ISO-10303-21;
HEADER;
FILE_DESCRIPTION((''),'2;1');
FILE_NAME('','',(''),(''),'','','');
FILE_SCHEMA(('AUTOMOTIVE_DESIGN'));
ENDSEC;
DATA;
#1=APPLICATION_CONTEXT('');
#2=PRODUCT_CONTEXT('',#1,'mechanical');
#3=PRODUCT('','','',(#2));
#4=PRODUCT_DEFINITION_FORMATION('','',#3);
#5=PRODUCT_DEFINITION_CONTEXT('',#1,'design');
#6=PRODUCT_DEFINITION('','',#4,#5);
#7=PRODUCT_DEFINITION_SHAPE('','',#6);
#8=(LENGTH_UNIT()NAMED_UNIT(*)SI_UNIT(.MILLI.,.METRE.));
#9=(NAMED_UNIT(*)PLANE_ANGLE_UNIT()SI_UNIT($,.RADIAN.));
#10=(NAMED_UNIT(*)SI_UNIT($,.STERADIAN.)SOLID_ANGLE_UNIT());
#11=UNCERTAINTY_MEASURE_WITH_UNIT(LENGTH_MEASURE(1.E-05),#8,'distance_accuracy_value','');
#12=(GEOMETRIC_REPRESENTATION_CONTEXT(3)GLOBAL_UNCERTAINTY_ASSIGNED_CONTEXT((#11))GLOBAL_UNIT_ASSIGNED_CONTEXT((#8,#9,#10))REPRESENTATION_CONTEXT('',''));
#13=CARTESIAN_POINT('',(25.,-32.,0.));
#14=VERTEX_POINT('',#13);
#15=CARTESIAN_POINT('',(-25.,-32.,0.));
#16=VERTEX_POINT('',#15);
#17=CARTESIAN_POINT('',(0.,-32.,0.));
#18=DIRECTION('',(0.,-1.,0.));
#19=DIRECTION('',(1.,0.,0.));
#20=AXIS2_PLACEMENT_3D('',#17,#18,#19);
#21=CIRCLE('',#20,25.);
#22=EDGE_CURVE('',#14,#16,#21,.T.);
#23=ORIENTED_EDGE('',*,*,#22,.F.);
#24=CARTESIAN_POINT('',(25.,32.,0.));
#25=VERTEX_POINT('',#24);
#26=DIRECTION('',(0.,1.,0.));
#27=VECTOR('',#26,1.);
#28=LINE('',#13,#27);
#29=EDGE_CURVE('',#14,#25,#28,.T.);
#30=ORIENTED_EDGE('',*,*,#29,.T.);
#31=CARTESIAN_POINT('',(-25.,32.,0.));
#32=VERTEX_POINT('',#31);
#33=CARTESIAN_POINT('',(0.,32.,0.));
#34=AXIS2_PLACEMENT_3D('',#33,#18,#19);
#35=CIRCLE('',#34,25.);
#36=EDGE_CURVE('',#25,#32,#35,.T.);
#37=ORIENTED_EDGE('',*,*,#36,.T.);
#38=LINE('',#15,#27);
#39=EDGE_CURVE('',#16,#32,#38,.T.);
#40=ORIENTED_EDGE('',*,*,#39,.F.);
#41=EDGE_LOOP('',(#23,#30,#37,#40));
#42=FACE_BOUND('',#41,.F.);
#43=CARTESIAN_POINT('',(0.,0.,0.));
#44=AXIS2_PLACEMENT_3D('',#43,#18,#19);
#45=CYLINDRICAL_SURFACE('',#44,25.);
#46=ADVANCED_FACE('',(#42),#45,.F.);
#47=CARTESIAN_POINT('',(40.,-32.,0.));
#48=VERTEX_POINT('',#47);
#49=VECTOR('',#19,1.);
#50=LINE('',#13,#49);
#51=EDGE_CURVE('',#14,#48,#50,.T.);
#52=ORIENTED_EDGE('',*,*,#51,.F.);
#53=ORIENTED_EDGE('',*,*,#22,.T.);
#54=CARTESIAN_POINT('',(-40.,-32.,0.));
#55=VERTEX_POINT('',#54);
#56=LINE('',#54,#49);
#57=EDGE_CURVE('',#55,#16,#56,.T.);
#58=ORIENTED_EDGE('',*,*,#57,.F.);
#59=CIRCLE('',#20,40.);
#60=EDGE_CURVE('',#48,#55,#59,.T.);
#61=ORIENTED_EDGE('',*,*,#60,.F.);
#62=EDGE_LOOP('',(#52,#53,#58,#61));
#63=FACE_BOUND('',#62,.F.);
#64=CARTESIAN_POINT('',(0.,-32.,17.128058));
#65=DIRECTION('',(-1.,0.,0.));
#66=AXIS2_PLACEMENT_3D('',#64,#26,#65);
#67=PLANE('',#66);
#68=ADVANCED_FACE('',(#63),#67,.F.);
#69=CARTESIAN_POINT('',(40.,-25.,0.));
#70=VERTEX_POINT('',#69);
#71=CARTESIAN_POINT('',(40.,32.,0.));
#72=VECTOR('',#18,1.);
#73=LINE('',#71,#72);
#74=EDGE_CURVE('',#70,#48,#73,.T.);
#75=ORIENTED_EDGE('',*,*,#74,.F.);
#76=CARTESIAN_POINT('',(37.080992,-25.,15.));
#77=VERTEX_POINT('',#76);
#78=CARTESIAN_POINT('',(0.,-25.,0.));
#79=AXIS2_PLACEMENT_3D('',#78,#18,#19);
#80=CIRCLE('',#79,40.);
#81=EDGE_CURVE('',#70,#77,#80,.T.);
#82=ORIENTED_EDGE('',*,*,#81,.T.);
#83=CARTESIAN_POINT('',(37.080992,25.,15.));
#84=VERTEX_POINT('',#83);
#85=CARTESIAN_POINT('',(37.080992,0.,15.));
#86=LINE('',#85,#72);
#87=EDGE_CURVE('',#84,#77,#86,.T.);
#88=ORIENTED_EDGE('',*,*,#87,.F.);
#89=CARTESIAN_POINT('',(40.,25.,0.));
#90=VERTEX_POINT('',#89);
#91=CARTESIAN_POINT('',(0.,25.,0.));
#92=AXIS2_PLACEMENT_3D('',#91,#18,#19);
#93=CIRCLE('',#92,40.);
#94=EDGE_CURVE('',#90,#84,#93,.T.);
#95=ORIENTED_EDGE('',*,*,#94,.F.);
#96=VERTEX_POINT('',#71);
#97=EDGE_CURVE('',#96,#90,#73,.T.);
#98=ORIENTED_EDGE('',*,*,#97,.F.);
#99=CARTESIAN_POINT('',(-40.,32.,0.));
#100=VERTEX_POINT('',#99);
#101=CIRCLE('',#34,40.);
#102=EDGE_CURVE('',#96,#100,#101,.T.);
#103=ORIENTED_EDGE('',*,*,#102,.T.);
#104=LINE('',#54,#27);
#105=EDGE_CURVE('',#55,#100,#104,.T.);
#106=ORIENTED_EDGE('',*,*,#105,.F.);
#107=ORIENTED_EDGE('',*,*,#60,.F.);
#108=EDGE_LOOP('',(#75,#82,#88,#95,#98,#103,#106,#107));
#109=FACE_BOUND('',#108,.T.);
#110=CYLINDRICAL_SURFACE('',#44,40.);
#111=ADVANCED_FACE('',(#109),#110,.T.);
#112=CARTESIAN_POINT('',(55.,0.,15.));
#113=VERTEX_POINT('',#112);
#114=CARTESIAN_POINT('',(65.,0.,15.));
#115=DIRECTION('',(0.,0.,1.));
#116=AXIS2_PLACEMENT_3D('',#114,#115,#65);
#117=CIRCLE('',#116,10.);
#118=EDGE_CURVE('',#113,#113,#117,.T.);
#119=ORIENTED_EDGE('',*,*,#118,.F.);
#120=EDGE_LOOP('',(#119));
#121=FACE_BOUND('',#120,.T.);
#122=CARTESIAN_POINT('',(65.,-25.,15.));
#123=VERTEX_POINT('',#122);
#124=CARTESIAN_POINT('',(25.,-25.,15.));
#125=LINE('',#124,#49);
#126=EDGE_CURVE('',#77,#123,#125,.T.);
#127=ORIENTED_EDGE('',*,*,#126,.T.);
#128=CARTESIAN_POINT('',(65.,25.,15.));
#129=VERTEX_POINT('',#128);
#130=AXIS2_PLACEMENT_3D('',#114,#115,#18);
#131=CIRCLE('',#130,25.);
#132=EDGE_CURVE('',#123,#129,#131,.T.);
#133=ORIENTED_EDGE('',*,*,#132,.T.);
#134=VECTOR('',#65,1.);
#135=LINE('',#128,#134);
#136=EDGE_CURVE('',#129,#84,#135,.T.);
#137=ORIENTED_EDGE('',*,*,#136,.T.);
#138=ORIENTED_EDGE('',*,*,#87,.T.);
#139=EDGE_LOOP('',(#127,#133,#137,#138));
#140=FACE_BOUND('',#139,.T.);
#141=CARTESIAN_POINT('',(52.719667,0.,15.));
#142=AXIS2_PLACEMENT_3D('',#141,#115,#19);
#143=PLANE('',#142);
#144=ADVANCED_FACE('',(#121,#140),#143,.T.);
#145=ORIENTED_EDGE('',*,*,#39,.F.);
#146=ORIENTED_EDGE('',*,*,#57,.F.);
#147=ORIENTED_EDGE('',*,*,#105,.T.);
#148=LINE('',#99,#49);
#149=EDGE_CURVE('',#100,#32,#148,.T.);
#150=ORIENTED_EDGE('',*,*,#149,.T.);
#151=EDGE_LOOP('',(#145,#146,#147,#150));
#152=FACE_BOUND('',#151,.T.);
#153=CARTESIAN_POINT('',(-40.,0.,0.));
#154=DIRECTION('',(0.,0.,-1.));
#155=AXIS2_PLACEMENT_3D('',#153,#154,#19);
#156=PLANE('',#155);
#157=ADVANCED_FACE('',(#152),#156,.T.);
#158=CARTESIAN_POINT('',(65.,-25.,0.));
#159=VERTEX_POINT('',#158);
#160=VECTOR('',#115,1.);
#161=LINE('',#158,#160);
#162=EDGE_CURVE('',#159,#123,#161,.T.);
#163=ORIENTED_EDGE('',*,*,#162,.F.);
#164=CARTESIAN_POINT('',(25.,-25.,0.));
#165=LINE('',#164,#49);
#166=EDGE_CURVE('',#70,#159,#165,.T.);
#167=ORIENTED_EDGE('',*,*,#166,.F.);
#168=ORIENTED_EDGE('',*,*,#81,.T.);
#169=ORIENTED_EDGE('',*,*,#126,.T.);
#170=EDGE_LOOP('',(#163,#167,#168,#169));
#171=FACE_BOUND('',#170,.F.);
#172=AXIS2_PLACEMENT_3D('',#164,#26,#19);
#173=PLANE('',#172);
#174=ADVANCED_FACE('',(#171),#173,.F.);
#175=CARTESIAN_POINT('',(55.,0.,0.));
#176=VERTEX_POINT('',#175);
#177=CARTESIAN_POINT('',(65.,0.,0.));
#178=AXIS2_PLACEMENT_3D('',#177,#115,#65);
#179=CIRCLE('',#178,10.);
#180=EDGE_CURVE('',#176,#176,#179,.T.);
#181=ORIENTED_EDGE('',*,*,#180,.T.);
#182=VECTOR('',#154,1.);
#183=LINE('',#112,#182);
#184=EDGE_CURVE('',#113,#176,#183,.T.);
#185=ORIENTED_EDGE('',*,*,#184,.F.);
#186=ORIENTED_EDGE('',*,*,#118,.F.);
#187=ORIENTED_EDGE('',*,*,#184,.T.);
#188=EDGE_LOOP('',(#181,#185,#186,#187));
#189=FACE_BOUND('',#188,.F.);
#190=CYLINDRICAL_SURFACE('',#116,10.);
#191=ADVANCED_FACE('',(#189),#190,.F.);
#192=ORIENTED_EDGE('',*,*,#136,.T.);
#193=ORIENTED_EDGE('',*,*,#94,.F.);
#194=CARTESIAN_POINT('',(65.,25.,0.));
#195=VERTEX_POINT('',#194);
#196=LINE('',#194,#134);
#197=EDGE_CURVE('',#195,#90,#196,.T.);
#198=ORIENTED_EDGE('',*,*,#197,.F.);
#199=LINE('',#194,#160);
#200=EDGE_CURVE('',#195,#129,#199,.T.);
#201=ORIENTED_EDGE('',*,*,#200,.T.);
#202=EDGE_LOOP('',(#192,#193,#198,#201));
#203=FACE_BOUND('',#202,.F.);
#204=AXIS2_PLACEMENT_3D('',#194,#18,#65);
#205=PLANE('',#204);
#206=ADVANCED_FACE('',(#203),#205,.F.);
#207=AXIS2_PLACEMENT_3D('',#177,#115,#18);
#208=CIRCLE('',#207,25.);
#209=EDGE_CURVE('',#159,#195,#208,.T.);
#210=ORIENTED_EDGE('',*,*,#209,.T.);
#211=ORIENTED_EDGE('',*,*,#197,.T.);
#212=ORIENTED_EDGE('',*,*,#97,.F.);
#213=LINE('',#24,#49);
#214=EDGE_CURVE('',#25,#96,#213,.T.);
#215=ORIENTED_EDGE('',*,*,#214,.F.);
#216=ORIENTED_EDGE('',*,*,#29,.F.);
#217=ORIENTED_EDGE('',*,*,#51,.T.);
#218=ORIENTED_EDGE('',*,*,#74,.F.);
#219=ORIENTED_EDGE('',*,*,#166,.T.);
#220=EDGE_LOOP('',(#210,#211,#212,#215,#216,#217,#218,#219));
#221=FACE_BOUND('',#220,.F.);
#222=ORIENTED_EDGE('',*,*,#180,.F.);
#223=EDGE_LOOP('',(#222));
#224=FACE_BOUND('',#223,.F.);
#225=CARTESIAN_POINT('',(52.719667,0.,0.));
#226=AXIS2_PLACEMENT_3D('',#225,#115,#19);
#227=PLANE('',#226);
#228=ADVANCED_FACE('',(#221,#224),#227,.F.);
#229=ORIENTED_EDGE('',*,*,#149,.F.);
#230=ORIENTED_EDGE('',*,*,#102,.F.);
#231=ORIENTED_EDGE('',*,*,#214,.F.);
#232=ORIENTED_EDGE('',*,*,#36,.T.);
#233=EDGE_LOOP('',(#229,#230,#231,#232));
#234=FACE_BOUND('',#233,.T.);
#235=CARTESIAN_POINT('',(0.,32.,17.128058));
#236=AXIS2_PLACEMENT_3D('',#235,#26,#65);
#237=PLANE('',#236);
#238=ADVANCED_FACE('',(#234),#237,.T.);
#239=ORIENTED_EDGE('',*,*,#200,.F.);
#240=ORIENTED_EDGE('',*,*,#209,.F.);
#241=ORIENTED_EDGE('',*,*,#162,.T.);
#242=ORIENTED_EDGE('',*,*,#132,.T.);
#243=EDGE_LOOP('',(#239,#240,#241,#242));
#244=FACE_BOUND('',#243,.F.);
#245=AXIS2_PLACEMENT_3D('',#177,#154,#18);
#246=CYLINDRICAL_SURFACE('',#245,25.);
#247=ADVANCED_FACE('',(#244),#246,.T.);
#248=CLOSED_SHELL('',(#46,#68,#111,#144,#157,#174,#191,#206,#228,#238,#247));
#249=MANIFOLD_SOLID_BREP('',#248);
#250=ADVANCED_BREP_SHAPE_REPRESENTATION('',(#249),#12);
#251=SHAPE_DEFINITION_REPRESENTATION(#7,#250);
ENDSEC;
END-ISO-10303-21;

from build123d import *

# Parameters (mm, degrees)
PAD_DEPTH    = 32
PAD001_DEPTH = 15
SKETCH002_R  = 10
POCKET_DEPTH = 15.001


with BuildPart() as part:
    # Sketch → Pad (new body, symmetric)
    with BuildSketch(Plane.XZ):
        with BuildLine():
            ThreePointArc((25, 0), (0, 25), (-25, 0))
            Line((-40, 0), (-25, 0))
            ThreePointArc((40, 0), (0, 40), (-40, 0))
            Line((25, 0), (40, 0))
        make_face()
    extrude(amount=PAD_DEPTH, both=True)

    # Sketch001 → Pad001 (join)
    with BuildSketch(Plane.XY):
        with BuildLine():
            Line((65, 25), (25, 25))
            Line((25, 25), (25, -25))
            Line((25, -25), (65, -25))
            ThreePointArc((65, -25), (90, 0), (65, 25))
        make_face()
    extrude(amount=PAD001_DEPTH)

    # Sketch002 (on Face10 of Pad001) → Pocket (cut, through all)
    with BuildSketch(Plane(origin=(0, 0, 15), x_dir=(-1, 0, 0), z_dir=(0, 0, 1))):
        with Locations((-65, 0)):
            Circle(SKETCH002_R)
    extrude(amount=-POCKET_DEPTH, mode=Mode.SUBTRACT)


solid = part.part
